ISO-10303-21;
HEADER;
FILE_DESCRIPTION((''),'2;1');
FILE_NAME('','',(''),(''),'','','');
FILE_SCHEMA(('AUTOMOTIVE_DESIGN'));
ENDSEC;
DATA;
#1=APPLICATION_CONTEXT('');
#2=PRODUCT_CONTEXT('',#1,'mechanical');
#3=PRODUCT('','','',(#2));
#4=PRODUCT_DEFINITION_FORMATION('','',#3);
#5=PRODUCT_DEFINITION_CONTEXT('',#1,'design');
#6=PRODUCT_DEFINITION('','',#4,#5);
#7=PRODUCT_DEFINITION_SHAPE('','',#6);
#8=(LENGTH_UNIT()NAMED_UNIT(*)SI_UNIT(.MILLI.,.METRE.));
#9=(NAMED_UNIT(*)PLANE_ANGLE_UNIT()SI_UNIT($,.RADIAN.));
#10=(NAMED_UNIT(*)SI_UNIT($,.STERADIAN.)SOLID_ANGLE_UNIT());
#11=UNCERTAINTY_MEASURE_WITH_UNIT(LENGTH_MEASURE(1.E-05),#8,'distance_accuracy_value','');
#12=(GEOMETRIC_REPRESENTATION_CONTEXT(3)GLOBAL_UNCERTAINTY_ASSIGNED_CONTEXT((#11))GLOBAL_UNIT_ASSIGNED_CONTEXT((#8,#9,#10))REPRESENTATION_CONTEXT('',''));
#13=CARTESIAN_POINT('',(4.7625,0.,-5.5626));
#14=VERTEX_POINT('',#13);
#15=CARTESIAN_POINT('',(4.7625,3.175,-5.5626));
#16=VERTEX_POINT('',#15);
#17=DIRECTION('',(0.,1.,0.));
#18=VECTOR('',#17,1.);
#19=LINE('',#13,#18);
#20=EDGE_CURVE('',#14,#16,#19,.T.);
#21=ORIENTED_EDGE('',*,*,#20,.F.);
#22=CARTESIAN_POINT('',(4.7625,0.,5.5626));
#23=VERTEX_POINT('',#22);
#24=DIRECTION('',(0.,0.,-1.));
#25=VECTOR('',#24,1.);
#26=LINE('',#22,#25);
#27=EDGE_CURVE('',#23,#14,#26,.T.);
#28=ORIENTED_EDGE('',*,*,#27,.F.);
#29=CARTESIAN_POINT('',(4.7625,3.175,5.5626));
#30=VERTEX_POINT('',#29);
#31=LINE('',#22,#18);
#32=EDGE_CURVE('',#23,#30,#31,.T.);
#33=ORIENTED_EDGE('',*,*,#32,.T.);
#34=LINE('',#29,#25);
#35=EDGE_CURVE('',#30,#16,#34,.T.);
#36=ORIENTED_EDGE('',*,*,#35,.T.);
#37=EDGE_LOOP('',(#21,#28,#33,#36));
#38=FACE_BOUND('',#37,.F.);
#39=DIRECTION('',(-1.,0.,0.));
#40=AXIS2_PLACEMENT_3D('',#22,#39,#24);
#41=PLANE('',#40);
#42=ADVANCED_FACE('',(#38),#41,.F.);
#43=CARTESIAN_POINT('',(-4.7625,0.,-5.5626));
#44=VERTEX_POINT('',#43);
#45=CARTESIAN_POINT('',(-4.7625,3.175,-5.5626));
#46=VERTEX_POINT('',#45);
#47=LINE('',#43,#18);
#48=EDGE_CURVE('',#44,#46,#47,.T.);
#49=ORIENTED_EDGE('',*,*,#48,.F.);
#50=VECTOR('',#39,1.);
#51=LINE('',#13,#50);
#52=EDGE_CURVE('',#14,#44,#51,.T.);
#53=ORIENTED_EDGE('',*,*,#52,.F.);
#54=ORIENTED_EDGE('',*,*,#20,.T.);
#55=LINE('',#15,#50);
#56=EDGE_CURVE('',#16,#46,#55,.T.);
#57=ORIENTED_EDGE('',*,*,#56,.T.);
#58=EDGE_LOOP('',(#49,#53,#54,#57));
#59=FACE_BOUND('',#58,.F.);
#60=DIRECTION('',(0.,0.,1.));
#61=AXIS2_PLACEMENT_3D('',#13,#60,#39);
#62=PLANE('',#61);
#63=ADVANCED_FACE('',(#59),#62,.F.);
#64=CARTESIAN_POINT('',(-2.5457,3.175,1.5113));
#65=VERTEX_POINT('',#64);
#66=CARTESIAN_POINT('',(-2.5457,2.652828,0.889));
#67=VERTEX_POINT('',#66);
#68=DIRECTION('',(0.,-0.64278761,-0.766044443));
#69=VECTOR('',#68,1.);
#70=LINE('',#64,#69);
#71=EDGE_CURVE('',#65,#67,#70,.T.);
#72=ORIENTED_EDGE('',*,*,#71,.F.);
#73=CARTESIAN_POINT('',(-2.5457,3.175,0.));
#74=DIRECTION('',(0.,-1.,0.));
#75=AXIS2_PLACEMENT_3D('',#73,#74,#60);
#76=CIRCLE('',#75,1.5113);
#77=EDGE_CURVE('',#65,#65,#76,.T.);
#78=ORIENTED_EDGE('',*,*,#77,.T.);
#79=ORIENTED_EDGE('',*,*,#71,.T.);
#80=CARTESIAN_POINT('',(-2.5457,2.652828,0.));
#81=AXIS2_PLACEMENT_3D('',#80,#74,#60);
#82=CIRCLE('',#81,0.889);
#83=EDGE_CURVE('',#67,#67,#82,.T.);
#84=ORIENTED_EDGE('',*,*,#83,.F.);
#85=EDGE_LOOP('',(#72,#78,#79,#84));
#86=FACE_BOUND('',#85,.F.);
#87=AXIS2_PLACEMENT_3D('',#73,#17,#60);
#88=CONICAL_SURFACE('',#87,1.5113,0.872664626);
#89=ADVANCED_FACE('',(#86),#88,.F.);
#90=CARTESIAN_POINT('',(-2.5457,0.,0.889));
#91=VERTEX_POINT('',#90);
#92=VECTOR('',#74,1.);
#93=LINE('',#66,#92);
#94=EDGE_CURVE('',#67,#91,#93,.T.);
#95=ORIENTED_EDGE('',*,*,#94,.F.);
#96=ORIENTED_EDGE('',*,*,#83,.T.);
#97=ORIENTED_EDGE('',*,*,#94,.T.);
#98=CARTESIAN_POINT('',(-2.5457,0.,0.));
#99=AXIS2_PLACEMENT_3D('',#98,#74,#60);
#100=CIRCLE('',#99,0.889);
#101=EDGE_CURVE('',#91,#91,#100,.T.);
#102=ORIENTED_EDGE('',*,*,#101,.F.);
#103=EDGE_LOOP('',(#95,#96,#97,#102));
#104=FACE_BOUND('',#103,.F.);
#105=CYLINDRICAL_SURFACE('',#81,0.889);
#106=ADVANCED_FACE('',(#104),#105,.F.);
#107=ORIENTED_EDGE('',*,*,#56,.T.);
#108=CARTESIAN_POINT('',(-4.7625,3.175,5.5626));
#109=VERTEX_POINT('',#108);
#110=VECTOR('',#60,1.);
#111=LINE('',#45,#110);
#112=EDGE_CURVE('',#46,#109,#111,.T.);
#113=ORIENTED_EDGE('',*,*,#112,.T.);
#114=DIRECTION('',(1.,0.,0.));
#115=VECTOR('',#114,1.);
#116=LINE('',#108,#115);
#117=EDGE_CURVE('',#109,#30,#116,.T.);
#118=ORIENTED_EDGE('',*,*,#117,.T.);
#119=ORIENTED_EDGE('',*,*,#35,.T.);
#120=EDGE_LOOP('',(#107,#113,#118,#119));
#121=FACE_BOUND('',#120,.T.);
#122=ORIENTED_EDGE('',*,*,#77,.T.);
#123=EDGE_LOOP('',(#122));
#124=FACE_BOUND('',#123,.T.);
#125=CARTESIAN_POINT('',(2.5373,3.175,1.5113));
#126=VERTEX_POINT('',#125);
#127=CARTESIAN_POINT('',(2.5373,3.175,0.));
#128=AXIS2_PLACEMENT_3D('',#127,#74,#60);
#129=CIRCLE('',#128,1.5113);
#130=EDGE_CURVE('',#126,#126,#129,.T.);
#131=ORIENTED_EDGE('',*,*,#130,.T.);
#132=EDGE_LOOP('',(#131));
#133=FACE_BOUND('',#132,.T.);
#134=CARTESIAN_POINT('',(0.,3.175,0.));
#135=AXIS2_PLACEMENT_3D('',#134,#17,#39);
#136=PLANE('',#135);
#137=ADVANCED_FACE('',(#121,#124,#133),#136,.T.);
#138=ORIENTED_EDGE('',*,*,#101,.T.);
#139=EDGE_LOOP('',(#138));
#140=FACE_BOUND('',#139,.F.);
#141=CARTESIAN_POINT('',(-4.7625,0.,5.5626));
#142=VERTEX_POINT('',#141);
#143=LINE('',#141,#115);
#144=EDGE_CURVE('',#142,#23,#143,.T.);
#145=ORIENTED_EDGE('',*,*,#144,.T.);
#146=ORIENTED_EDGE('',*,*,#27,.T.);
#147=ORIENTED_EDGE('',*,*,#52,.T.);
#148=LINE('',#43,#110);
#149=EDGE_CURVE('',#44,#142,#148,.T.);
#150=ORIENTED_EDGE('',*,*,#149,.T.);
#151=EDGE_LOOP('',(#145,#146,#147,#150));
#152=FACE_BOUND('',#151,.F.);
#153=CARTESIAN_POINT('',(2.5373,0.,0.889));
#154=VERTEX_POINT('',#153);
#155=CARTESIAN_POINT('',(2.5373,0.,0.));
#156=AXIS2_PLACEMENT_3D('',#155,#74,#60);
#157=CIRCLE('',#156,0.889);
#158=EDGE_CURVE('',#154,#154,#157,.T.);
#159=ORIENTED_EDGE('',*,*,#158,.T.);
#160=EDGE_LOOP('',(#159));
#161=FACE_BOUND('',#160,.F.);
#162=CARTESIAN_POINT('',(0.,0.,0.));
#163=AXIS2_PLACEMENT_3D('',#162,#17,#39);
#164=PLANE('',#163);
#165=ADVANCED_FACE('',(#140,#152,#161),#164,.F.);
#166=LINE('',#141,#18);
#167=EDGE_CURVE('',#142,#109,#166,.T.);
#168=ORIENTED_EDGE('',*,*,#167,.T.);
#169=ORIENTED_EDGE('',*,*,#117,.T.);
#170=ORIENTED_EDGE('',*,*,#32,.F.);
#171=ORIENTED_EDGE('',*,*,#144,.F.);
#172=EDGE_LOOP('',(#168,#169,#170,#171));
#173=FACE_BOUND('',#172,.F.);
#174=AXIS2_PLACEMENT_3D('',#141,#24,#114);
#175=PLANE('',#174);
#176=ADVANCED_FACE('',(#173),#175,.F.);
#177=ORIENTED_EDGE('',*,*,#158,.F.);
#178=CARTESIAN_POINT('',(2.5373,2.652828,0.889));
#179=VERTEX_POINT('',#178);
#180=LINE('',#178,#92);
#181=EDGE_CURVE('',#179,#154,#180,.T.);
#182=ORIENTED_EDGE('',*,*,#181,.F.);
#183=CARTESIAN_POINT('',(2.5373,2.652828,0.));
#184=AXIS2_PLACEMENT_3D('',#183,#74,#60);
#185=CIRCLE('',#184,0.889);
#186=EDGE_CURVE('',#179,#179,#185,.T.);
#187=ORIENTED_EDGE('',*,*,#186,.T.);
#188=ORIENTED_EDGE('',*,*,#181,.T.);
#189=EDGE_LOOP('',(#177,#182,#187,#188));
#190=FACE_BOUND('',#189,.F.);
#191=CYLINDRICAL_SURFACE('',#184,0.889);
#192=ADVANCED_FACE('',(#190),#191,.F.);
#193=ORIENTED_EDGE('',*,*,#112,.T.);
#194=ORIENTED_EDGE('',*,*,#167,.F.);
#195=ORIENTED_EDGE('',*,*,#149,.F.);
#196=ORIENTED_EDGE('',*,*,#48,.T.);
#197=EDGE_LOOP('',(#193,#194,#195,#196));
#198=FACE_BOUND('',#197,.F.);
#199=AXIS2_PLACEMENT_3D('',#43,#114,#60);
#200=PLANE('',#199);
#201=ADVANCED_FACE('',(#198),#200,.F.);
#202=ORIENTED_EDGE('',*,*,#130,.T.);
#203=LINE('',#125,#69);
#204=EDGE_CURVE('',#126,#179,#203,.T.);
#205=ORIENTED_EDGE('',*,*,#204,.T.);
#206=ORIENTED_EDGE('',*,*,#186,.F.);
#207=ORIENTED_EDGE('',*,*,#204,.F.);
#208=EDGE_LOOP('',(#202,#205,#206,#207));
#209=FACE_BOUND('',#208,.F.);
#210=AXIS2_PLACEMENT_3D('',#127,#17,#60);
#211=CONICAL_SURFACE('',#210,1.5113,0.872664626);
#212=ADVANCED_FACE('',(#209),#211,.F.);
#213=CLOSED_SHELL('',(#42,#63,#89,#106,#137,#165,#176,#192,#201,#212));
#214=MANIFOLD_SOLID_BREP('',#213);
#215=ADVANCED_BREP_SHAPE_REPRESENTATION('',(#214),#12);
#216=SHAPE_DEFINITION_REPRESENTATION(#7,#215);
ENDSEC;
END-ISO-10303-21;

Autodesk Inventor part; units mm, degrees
ref_plane "YZ Plane" through (0, 0, 0) normal (1, 0, 0) x (0, 1, 0)
ref_plane "XZ Plane" through (0, 0, 0) normal (0, 1, 0) x (-1, 0, 0)
ref_plane "XY Plane" through (0, 0, 0) normal (0, 0, 1) x (1, 0, 0)
sketch "Sketch1" plane through (0, 0, 0) normal (0, 1, 0) x (-1, 0, 0)
  line L0 (4.7625, 5.5626) -> (-4.7625, 5.5626)
  line L1 (-4.7625, 5.5626) -> (-4.7625, -5.5626)
  line L2 (-4.7625, -5.5626) -> (4.7625, -5.5626)
  line L3 (4.7625, -5.5626) -> (4.7625, 5.5626)
  point P0 (0, 0)
  dimension "d0" = 9.525
  dimension "d1" = 11.1252
extrude "Extrusion1" add sketch "Sketch1" along normal blind 3.175
sketch "Sketch2" plane through (0, 3.175, 0) normal (0, 1, 0) x (1, 0, 0)
  line L0 (4.7625, 5.5626) -> (-4.7625, 5.5626) projected
  point P0 (0, 0)
  point P1 (-2.5457, 0)
  point P2 (2.5373, 0)
  dimension "d6" = 5.5626
  dimension "d14" = 5.5626
hole "Hole1" at (2.5373, 3.175, 0) at (-2.5457, 3.175, 0) direction (0, -1, 0) diameter 1.778 end through all countersink diameter 3.0226 countersink angle 100 clearance for "Flat Head Machine Screw (82)" size "#0" standard "Ansi Unified Screw Threads"
properties part number "air delivery cover"
